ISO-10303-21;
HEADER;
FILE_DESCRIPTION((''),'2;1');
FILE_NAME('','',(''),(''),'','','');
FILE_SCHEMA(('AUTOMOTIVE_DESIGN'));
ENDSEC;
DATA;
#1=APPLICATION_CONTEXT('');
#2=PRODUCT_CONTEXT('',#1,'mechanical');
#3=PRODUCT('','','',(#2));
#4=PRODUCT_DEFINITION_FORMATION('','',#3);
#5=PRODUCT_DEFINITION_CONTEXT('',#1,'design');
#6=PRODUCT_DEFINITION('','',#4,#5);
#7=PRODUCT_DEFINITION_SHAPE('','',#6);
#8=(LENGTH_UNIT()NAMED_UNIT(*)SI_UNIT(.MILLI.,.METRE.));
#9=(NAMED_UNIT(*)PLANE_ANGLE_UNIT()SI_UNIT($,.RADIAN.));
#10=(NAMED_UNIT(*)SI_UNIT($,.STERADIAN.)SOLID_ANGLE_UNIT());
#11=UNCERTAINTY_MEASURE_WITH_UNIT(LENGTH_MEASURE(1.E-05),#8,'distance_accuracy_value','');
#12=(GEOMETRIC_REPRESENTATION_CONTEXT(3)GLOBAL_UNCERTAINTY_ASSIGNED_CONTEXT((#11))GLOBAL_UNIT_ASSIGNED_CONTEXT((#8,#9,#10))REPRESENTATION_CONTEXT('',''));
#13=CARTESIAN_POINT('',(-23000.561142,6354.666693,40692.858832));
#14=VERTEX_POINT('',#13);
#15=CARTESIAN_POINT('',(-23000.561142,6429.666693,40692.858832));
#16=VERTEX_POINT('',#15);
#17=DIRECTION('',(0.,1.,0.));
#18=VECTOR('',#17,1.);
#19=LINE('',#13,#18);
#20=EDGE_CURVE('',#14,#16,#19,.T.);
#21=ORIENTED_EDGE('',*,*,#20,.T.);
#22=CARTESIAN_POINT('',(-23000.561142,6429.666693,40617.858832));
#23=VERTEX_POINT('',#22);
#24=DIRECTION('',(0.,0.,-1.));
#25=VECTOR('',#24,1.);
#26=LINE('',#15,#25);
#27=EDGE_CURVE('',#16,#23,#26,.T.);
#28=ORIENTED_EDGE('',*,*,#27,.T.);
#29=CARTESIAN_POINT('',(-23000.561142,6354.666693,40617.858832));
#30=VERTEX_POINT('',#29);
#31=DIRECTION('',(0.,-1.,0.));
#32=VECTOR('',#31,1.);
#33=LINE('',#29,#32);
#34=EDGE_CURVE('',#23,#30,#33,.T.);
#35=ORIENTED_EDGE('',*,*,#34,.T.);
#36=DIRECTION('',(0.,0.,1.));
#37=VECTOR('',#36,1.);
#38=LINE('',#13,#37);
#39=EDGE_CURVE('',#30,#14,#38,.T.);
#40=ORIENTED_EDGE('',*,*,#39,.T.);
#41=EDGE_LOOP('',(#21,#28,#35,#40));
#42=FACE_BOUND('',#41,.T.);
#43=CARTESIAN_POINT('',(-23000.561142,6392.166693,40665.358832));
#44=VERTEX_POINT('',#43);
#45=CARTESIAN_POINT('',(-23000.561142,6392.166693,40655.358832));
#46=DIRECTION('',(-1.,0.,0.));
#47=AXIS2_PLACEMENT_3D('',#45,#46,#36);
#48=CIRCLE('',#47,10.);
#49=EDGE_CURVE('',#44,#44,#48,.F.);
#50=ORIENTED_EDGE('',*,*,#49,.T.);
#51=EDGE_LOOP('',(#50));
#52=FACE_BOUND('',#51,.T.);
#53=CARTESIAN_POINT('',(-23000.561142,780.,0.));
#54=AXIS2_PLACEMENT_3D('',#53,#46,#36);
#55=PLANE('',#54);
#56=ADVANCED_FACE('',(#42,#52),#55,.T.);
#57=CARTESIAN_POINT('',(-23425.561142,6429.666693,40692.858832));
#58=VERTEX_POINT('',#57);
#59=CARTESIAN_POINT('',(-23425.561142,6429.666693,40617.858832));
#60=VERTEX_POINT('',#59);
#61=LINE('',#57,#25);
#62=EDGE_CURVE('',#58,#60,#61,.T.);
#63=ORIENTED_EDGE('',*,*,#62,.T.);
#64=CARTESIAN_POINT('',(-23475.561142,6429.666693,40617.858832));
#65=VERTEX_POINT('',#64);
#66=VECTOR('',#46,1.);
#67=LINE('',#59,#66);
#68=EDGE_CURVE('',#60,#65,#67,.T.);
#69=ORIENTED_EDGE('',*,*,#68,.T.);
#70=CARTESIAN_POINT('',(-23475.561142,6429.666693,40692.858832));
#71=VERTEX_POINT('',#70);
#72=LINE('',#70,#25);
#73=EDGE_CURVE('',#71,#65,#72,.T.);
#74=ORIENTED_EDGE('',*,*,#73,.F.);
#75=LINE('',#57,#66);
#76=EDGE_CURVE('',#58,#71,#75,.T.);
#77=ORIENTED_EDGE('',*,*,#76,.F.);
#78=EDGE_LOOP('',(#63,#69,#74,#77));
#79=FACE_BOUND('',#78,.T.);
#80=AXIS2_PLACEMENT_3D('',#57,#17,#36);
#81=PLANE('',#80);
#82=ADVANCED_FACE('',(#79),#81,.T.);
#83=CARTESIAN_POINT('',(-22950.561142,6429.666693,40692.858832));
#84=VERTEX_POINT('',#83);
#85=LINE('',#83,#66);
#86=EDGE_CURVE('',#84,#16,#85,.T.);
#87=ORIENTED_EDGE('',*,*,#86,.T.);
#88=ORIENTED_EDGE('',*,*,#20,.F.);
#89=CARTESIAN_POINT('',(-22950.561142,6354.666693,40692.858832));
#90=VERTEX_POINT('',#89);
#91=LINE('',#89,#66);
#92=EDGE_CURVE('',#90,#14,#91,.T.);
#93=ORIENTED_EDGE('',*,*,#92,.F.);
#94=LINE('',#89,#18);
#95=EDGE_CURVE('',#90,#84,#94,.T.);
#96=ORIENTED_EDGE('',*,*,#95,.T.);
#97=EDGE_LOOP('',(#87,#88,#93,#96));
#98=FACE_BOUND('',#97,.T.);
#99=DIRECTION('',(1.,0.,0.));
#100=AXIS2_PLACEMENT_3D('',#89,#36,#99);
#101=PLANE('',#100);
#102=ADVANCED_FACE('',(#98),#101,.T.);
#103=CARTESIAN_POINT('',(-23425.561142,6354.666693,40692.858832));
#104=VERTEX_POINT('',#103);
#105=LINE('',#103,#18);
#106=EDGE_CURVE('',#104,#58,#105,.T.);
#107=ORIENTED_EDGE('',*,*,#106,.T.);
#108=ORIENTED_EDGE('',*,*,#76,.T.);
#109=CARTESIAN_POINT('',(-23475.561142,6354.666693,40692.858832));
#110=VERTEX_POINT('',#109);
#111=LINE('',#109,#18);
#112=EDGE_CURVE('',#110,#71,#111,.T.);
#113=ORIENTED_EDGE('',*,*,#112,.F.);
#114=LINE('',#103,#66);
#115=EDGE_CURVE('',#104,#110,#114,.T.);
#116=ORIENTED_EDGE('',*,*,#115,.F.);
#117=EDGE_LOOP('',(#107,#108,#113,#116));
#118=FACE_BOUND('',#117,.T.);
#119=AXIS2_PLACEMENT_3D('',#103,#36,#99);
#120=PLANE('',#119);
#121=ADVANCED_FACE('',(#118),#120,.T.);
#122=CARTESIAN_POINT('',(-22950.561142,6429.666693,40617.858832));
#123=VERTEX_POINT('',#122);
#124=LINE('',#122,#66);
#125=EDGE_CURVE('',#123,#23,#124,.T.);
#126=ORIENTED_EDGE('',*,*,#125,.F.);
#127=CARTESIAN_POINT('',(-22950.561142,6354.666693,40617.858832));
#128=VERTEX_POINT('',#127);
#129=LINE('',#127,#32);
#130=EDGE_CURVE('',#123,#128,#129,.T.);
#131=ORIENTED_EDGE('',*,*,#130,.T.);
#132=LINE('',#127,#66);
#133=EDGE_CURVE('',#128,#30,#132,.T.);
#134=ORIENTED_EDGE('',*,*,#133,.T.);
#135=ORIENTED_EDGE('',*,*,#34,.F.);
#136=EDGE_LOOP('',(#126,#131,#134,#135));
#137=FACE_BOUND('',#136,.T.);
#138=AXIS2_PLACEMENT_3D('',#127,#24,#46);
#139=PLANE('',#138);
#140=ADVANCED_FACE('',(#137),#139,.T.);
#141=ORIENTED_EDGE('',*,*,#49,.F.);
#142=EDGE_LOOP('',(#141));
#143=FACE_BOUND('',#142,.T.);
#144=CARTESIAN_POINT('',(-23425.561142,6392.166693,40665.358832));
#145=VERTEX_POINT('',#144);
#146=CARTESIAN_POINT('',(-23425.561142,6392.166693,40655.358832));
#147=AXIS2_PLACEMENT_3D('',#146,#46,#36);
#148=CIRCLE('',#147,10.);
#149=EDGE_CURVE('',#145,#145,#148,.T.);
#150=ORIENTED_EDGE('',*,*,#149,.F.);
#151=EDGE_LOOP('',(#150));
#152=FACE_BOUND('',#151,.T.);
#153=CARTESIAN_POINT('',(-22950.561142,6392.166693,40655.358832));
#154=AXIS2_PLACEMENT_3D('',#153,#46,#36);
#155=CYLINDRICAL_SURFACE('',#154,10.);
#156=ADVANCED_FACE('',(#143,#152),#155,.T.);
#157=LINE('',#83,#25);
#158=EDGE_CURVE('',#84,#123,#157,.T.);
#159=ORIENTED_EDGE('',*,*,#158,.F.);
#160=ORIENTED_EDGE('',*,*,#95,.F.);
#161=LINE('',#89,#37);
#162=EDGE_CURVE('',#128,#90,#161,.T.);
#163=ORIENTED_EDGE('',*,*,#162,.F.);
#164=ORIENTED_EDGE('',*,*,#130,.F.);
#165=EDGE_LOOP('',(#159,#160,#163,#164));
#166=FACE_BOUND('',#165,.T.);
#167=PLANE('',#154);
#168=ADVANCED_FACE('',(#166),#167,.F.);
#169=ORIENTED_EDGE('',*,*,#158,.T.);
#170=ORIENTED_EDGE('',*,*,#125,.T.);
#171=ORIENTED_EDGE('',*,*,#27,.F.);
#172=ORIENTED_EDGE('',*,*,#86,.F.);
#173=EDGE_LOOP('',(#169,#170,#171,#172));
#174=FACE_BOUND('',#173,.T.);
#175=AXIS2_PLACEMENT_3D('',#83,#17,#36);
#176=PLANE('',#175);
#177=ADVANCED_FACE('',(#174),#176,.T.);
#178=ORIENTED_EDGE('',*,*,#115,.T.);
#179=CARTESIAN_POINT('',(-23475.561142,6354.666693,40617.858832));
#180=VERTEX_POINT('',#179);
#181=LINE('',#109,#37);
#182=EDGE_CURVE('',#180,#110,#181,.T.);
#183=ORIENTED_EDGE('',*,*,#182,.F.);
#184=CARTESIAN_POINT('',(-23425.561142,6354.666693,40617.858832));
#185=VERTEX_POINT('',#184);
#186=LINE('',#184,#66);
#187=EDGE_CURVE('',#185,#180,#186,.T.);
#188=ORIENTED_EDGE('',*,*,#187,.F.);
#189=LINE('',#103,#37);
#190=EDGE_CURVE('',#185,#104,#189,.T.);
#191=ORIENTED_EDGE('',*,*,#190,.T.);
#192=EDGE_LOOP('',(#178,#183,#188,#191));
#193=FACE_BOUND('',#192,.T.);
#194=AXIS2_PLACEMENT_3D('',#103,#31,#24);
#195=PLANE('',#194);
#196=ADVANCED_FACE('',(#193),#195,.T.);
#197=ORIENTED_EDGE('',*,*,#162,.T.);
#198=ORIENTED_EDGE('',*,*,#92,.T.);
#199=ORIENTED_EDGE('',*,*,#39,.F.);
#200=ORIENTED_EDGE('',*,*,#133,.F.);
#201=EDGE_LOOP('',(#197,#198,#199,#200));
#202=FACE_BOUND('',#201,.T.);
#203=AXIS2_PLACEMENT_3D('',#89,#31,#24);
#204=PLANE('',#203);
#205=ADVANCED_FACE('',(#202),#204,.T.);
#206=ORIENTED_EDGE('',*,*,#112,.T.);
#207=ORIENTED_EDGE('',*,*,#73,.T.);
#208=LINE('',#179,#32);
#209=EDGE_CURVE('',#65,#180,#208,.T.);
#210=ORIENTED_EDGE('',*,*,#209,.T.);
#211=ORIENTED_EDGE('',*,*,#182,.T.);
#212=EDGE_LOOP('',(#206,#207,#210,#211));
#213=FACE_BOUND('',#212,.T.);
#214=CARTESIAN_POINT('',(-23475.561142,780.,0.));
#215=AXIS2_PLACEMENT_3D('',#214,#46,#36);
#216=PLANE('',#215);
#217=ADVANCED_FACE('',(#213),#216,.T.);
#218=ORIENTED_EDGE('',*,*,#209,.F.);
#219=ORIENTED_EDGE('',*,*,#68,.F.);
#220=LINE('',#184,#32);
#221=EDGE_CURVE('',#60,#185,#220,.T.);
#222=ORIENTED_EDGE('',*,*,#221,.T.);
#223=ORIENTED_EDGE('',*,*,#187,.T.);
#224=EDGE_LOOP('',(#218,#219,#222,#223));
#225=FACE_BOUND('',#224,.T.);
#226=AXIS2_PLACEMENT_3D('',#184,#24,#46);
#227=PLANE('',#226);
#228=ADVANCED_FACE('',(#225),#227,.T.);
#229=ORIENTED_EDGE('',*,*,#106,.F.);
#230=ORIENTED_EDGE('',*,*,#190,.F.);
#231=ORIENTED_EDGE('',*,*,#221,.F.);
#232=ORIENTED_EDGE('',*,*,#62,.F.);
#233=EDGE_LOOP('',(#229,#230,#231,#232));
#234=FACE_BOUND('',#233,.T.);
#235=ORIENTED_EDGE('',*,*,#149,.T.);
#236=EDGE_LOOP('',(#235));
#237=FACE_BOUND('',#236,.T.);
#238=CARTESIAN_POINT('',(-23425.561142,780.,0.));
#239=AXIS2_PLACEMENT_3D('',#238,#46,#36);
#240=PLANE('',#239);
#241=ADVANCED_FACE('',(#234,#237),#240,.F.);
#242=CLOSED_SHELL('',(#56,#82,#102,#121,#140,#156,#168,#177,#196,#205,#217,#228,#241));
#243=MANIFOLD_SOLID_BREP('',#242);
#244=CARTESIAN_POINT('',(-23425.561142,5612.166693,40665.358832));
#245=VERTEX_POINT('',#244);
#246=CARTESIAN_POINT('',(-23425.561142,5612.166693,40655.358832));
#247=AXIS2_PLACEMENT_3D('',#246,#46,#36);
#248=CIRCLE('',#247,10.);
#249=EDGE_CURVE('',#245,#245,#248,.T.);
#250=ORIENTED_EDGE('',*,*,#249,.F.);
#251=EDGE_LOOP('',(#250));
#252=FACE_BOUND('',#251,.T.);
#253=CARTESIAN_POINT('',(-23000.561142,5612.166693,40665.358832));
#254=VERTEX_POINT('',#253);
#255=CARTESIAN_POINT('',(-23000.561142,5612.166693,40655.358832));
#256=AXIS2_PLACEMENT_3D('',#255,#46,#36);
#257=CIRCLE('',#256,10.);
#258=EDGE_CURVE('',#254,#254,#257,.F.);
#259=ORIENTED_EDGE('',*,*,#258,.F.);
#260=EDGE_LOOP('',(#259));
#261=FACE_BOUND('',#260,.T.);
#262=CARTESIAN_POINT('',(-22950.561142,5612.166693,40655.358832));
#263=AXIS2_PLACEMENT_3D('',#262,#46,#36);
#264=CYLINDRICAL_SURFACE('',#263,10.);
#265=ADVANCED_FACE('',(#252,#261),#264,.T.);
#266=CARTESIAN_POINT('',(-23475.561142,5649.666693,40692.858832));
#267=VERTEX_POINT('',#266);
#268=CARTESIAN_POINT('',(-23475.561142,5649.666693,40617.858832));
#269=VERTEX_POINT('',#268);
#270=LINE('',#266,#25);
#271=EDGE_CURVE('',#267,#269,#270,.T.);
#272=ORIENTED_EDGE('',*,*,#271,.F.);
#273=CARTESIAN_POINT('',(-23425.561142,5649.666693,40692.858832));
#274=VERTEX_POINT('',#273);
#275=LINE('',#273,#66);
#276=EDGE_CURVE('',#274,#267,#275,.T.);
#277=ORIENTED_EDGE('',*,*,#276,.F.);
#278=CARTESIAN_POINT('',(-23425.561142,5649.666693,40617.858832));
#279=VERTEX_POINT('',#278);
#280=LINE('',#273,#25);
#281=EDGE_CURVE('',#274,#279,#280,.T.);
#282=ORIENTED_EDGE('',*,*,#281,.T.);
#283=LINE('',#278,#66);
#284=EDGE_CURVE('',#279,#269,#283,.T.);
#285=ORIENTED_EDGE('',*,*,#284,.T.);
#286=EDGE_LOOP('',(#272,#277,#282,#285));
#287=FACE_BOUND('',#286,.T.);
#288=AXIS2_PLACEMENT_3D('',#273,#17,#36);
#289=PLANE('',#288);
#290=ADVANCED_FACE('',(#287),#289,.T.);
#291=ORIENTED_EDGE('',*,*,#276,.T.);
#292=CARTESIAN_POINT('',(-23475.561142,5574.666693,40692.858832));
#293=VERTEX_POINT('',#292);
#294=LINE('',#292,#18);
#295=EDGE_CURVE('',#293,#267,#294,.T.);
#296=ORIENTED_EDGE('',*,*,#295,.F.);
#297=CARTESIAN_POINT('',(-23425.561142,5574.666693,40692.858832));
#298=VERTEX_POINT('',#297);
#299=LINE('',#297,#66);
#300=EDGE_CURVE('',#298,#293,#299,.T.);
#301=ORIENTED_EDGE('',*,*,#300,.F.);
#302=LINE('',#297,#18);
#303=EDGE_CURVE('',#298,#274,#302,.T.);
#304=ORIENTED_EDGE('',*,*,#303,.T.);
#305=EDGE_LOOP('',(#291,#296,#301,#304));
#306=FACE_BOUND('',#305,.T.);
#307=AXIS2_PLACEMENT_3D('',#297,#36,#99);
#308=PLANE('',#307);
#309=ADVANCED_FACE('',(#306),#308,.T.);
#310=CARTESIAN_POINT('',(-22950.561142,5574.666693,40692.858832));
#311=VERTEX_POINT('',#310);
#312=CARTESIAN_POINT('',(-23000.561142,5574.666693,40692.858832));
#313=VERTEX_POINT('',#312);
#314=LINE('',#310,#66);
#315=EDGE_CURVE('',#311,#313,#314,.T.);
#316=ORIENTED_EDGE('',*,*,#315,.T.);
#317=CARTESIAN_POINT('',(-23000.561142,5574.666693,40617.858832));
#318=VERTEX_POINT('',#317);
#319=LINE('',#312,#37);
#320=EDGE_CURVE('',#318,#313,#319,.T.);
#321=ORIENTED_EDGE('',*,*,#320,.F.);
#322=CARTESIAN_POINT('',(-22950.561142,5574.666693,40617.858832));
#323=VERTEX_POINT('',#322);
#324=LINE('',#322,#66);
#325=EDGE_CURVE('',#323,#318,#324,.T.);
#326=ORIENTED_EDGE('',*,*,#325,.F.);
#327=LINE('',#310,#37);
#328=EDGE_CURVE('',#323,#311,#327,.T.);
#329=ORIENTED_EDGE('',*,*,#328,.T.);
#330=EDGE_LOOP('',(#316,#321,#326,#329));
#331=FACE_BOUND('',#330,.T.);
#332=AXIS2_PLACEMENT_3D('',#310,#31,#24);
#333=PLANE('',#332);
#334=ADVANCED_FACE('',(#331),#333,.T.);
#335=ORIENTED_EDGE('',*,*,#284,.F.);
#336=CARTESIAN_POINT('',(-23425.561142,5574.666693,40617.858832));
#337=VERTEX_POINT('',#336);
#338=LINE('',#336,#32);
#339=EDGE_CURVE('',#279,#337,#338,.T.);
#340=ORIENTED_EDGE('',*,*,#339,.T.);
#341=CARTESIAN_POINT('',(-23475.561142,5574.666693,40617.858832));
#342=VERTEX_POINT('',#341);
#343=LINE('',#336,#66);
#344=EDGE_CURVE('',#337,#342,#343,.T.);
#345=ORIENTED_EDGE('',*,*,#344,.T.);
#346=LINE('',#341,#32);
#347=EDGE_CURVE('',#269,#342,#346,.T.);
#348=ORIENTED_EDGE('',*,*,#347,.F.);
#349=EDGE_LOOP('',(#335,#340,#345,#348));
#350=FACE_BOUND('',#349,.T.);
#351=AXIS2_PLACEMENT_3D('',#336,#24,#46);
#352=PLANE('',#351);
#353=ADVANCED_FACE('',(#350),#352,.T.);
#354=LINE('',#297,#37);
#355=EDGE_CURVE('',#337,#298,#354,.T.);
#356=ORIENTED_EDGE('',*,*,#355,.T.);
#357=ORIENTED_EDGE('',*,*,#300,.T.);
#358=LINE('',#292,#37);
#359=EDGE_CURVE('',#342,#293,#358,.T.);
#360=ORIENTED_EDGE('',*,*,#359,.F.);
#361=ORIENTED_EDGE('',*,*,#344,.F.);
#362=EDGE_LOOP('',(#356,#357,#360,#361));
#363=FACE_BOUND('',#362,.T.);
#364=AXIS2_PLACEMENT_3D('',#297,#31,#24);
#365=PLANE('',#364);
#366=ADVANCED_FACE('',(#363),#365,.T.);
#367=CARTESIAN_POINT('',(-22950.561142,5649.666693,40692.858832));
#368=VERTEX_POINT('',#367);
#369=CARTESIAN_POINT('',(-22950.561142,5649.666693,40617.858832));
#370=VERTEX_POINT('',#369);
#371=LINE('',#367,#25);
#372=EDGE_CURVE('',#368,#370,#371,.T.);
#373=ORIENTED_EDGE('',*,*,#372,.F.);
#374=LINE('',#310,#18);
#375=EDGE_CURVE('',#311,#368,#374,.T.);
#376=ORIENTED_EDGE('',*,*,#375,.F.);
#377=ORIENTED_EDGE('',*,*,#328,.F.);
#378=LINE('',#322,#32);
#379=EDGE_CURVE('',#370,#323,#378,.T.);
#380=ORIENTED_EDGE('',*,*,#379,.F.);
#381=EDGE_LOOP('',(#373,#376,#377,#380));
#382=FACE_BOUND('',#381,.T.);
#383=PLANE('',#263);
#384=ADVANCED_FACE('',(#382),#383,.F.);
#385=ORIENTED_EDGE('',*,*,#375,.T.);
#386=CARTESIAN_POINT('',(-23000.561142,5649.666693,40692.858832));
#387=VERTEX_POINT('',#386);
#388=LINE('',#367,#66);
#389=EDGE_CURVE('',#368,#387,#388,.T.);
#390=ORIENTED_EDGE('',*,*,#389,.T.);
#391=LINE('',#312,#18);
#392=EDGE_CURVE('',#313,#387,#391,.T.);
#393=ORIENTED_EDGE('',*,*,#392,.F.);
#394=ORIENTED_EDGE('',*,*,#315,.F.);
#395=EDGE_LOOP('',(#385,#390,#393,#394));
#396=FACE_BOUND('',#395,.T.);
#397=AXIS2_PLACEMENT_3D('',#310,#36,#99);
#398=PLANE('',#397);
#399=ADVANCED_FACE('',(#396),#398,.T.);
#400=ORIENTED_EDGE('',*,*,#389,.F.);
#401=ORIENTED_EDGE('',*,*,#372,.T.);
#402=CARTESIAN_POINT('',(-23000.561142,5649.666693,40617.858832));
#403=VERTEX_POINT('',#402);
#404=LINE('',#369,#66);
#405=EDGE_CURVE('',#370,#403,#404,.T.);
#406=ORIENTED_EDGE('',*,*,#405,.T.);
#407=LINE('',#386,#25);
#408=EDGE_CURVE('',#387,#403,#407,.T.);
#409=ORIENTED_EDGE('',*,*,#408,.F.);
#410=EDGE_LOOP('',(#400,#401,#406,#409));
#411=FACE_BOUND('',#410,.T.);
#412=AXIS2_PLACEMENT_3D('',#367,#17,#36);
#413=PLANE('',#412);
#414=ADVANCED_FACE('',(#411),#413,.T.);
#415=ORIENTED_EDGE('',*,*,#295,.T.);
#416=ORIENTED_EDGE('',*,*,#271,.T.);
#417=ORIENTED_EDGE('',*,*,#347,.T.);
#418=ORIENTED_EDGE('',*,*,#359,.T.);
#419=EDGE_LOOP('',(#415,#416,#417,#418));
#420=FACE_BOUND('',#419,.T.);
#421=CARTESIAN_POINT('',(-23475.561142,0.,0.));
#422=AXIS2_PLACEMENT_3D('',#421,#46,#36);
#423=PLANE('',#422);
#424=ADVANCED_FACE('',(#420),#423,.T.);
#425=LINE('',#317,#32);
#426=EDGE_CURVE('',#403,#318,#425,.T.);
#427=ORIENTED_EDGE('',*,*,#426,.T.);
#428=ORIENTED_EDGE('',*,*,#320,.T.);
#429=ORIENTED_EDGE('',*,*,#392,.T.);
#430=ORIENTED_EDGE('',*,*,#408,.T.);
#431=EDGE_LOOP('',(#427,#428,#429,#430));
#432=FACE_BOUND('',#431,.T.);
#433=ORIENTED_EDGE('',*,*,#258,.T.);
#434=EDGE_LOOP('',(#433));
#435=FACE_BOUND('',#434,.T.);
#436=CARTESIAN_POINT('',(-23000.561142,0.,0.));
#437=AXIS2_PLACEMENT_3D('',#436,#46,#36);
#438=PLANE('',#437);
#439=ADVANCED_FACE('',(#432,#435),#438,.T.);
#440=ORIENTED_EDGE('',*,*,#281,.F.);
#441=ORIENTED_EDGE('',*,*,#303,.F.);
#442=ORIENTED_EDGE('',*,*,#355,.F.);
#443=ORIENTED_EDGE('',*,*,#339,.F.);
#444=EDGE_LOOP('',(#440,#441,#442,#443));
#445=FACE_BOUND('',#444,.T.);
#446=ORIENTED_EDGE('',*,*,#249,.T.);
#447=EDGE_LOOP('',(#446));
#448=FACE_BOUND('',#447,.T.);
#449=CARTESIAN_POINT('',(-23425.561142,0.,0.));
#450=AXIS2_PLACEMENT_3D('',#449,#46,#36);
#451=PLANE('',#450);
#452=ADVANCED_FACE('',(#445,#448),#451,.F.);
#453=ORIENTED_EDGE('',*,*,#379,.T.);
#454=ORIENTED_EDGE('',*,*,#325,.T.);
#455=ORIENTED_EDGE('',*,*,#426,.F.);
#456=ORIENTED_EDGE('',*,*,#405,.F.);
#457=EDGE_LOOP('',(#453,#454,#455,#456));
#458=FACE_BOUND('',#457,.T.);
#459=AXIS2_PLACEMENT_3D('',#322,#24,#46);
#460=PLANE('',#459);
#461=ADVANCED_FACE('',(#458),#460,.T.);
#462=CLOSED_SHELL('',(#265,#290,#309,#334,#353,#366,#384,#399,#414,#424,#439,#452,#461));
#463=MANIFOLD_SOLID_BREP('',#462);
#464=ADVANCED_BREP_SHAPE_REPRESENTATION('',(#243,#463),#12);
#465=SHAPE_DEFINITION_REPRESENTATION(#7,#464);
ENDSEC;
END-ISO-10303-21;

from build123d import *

# Parameters (mm, degrees)
SKETCH1_W           = 75
SKETCH1_H           = 75
SKETCH1_R           = 10
BOSS_EXTRUDE1_DEPTH = 50
LPATTERN1_COUNT     = 2
LPATTERN1_PITCH     = 475
SKETCH2_R           = 10
BOSS_EXTRUDE2_DEPTH = 525
LPATTERN2_COUNT     = 2
LPATTERN2_PITCH     = 780


with BuildPart() as part:
    # Sketch1 → Boss-Extrude1 (new body)
    with BuildSketch(Plane.ZY.offset(23475.561141738)):
        with Locations((40655.358832434, 5612.166693368)):
            Rectangle(SKETCH1_W, SKETCH1_H)
        with Locations((40655.358832434, 5612.166693368)):
            Circle(SKETCH1_R, mode=Mode.SUBTRACT)
    extrude(amount=-BOSS_EXTRUDE1_DEPTH)


with BuildPart() as lpattern1_1:
    # LPattern1: pattern copy
    add(part.part.moved(Location(Vector(1, 0, 0) * (1 * LPATTERN1_PITCH))))


with BuildPart() as part_1:
    add(part.part)

    add(lpattern1_1.part)  # Boss-Extrude2 merges LPattern1_1
    # Sketch2 → Boss-Extrude2 (add)
    with BuildSketch(Plane.ZY.offset(23475.561141738)):
        with Locations((40655.358832434, 5612.166693368)):
            Circle(SKETCH2_R)
    extrude(amount=-BOSS_EXTRUDE2_DEPTH)


with BuildPart() as lpattern2_1:
    # LPattern2: pattern copy
    add(part_1.part.moved(Location(Vector(0, 1, 0) * (1 * LPATTERN2_PITCH))))


solid = Compound([part_1.part, lpattern2_1.part])
